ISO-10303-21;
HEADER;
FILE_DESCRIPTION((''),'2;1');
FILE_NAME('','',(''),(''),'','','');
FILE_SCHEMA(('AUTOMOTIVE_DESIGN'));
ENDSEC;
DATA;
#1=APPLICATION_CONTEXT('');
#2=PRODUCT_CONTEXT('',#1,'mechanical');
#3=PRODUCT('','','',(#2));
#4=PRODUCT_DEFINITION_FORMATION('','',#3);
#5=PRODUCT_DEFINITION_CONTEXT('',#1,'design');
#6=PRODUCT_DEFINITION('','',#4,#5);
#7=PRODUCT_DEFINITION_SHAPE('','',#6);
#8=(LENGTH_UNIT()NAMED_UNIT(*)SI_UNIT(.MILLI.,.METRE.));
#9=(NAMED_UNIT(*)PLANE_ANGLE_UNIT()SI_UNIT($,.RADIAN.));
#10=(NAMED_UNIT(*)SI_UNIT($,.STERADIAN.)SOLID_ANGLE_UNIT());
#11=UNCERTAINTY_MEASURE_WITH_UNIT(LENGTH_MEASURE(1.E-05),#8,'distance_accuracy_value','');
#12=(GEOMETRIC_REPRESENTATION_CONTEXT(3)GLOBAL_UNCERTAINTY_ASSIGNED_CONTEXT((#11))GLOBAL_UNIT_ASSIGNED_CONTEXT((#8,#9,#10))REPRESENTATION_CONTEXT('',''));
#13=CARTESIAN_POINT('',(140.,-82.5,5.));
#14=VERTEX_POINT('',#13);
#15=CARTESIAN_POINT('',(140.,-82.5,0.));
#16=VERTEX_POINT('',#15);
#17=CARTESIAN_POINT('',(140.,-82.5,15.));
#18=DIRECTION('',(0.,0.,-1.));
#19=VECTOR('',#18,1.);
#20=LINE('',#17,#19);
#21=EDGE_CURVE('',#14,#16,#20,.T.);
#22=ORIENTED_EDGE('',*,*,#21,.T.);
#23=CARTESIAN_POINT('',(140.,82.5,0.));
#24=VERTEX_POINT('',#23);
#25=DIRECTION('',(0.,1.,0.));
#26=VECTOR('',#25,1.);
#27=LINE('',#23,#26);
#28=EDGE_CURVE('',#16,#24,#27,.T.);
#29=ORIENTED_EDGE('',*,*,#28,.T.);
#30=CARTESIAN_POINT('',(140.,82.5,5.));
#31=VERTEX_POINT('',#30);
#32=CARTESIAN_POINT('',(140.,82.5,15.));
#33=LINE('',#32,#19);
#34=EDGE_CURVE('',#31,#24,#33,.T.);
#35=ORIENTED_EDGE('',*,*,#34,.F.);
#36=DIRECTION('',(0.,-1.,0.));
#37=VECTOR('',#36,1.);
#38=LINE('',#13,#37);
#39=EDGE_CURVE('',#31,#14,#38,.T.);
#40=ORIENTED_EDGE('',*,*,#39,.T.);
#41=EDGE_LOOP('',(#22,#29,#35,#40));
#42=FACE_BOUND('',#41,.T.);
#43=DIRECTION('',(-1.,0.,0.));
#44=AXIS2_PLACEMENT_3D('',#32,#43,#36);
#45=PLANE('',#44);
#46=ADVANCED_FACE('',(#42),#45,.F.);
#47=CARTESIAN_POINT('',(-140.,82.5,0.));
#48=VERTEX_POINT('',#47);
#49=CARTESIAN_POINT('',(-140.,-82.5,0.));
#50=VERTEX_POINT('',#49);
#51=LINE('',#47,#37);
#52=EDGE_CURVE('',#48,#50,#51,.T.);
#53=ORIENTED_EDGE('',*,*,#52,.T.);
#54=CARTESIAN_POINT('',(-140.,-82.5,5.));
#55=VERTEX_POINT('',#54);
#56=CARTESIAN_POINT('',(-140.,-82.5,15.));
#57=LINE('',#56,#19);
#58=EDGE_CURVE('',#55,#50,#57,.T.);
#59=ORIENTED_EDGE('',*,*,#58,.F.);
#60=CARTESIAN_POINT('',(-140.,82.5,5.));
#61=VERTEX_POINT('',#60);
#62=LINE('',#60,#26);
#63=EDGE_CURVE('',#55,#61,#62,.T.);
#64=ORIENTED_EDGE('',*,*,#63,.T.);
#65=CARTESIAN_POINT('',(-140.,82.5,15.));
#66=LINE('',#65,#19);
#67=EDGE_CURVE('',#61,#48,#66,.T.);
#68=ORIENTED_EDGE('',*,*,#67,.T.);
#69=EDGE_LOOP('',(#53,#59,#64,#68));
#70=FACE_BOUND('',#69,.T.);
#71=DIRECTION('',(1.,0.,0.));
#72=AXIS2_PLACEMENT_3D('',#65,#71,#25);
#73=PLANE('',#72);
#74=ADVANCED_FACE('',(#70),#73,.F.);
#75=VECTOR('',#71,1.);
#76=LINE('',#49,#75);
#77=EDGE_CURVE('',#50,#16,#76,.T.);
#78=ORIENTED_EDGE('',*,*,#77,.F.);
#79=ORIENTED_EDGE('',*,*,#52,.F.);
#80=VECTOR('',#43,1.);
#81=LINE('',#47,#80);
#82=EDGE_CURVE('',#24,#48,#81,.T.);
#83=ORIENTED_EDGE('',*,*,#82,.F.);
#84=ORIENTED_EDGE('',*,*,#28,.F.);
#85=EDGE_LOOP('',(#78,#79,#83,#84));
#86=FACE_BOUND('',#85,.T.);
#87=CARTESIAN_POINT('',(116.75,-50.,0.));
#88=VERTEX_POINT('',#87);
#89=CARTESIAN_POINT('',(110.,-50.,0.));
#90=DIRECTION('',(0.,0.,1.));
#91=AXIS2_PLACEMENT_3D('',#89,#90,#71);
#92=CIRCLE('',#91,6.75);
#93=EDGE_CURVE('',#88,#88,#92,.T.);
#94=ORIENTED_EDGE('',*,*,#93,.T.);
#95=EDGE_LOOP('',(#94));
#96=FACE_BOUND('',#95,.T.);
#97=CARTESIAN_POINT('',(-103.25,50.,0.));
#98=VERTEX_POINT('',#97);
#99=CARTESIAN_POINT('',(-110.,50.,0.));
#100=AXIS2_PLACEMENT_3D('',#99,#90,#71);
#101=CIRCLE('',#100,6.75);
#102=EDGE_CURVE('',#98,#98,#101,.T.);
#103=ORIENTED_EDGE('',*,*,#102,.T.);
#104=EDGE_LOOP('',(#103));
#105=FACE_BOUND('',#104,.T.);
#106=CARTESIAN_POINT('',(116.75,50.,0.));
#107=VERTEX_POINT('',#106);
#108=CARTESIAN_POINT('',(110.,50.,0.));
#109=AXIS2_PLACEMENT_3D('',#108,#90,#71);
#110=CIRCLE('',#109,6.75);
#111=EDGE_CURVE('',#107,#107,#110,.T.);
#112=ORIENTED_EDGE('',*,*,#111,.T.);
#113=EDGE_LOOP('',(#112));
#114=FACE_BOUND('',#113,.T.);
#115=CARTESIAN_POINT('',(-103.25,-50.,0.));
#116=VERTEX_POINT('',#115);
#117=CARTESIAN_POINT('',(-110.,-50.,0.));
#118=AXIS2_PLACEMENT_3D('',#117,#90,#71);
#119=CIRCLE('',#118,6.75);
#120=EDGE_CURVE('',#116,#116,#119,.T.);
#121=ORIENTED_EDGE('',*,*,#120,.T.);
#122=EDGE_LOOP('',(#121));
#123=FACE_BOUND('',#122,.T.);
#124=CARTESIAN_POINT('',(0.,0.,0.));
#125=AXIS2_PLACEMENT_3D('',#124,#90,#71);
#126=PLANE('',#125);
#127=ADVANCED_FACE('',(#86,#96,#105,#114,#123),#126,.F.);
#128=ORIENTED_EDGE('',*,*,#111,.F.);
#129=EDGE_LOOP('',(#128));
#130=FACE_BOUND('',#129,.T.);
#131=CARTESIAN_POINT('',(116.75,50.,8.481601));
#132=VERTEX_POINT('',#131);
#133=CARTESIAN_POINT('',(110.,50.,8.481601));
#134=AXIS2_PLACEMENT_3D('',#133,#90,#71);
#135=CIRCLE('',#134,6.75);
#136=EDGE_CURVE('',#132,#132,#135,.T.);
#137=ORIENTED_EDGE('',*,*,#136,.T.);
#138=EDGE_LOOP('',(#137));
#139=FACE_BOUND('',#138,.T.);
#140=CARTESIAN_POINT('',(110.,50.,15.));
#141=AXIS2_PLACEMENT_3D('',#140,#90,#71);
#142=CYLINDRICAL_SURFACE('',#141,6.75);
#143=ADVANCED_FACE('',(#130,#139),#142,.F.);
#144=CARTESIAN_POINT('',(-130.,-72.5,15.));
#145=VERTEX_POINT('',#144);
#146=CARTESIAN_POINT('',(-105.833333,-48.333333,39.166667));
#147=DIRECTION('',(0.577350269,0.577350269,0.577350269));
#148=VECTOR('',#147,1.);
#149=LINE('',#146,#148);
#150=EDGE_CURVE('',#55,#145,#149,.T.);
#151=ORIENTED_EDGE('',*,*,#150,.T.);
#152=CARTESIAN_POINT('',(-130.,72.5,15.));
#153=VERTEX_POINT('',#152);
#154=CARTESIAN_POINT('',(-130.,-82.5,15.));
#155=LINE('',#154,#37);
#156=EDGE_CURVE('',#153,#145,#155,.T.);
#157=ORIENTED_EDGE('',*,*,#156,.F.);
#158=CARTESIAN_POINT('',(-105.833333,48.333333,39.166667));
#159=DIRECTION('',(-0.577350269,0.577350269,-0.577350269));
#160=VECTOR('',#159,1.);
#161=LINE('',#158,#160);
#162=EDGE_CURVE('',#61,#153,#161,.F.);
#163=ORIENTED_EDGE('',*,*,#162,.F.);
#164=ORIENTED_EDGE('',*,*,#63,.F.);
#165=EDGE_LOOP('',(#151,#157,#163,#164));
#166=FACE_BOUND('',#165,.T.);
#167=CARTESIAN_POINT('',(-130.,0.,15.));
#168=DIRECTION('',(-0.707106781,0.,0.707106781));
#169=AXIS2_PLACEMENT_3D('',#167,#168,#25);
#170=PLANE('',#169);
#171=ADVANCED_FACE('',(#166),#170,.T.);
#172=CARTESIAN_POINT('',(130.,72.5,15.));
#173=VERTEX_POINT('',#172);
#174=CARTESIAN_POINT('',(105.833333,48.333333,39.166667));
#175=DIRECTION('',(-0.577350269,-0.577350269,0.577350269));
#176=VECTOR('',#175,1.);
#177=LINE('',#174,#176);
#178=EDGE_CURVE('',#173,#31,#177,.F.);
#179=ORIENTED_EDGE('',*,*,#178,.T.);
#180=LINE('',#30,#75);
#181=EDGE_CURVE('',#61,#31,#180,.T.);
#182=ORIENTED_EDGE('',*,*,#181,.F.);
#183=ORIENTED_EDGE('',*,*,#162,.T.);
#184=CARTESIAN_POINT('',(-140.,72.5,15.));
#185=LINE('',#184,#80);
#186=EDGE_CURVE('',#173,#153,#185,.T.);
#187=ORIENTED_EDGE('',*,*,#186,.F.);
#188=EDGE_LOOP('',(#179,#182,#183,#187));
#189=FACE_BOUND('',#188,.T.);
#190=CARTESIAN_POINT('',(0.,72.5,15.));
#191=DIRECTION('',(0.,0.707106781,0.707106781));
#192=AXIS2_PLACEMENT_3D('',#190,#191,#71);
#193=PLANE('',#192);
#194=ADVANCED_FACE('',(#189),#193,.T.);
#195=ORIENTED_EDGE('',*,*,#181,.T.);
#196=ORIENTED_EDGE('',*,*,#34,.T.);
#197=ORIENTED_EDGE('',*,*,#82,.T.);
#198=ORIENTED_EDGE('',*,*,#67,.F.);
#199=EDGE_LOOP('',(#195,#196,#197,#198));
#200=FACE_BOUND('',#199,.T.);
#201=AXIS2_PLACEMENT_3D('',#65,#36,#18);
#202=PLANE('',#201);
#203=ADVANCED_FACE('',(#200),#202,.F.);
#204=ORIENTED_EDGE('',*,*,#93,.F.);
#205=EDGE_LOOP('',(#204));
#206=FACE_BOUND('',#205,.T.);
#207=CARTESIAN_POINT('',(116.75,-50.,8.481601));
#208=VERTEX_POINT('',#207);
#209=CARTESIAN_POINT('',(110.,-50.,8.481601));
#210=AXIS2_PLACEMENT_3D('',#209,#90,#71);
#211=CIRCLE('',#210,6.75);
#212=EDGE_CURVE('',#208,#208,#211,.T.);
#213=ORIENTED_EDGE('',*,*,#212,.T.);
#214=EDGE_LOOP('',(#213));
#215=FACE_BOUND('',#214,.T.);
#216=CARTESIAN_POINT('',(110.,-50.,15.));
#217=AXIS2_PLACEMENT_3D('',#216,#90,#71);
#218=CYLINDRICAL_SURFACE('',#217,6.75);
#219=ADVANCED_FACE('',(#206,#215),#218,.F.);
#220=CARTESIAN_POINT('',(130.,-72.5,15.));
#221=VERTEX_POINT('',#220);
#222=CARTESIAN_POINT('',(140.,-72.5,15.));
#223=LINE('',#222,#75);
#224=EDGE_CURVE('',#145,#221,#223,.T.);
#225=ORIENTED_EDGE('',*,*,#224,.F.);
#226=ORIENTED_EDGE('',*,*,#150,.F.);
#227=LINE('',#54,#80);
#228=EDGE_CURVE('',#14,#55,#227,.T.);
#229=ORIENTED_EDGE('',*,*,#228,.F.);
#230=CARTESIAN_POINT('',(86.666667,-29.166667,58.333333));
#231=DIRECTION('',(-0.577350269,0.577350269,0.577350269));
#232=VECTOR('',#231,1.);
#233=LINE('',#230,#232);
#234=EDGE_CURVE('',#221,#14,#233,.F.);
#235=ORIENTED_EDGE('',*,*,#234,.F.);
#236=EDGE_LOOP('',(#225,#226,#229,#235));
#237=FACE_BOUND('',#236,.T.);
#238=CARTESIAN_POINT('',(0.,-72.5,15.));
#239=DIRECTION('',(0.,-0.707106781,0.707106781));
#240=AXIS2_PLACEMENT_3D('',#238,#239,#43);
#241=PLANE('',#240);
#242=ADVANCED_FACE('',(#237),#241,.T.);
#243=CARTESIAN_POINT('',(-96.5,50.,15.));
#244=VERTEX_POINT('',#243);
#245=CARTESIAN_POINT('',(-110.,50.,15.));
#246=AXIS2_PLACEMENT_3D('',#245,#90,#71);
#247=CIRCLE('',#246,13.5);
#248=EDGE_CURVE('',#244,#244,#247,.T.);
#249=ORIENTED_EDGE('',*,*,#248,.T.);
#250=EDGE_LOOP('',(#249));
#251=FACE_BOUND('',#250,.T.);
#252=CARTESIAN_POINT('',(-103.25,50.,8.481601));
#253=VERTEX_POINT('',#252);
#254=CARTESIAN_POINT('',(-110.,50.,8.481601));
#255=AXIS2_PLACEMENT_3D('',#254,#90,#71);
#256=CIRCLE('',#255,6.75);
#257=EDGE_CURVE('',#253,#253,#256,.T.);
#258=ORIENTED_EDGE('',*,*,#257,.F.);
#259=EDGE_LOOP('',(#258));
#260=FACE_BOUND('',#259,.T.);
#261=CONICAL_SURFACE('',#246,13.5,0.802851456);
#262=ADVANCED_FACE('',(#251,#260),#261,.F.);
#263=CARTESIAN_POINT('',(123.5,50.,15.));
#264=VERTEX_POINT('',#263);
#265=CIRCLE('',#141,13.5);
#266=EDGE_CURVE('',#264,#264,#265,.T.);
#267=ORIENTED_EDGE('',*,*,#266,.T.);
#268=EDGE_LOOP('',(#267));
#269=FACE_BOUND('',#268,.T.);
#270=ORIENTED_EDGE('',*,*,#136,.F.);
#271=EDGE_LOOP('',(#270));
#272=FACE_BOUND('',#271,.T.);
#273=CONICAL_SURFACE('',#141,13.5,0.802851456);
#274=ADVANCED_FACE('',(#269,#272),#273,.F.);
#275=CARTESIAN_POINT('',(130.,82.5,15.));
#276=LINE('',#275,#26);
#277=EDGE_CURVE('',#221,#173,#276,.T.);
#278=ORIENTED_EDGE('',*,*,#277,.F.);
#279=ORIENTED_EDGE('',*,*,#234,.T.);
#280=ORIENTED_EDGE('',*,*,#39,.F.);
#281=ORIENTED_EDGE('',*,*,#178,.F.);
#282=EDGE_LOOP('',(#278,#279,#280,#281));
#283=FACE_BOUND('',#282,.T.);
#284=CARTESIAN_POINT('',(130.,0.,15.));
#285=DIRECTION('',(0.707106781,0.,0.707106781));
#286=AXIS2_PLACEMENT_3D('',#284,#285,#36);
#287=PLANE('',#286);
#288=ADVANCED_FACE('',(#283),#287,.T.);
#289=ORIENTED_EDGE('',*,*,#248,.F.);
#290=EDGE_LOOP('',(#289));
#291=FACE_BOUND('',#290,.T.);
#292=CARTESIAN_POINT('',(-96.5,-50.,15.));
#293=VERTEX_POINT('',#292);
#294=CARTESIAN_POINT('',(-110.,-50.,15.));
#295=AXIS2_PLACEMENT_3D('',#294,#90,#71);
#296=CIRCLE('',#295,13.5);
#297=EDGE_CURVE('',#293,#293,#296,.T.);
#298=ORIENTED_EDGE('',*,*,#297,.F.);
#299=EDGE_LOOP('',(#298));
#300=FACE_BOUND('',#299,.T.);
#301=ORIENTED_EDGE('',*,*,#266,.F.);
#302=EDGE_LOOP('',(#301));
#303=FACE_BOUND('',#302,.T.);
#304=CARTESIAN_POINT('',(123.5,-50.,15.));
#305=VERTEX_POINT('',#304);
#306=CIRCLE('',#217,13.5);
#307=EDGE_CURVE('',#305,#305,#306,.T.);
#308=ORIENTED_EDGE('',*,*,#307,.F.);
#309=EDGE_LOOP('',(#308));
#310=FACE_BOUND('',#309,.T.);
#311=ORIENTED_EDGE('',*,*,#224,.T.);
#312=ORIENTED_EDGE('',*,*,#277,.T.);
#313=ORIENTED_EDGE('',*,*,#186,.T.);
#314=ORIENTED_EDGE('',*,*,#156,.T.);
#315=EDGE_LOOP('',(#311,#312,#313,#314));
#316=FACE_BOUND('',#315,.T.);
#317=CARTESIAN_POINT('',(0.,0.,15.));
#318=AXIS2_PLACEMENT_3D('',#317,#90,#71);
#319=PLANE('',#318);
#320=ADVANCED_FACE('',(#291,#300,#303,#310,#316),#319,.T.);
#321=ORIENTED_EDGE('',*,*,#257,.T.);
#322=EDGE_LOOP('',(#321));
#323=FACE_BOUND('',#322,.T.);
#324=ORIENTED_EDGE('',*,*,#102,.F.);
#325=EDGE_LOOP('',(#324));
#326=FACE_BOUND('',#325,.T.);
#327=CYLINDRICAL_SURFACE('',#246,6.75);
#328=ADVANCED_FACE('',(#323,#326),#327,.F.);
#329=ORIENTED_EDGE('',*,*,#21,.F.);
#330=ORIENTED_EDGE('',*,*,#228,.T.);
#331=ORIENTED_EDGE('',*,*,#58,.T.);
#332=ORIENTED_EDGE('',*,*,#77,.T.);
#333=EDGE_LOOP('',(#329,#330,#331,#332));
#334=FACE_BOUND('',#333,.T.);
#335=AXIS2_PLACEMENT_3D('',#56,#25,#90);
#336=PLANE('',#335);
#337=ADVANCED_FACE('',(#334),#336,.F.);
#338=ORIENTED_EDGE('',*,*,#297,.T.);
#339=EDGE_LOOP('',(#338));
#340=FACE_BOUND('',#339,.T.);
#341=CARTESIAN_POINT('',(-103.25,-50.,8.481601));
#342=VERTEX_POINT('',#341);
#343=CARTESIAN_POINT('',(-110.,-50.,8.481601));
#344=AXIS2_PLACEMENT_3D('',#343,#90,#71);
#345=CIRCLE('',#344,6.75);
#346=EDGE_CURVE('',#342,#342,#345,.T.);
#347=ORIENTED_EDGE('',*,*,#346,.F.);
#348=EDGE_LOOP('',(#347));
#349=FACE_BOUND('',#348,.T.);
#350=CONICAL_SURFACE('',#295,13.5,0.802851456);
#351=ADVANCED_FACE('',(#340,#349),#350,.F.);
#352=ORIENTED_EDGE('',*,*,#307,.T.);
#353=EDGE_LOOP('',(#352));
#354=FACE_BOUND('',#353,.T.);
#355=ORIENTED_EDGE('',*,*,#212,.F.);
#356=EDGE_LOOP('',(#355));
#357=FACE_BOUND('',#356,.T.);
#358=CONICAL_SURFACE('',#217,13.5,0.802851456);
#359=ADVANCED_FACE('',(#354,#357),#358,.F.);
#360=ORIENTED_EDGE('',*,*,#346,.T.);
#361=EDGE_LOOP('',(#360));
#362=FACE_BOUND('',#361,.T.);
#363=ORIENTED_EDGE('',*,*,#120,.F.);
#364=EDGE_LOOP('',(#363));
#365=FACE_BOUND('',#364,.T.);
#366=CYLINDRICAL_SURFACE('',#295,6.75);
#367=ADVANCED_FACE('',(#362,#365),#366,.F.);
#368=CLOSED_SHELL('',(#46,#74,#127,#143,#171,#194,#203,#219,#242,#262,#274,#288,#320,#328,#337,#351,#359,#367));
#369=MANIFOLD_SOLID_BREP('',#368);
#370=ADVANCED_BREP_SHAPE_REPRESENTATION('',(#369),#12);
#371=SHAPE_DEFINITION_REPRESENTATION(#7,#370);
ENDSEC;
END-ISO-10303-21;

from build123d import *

# Parameters (mm, degrees)
SKETCH_1_W                = 280
SKETCH_1_H                = 165
EXTRUDE_1_DEPTH           = 15
CHAMFER_1_SIZE            = 10
HOLE_WIZARD_1_D           = 13.5
HOLE_WIZARD_1_DEPTH       = 20
HOLE_WIZARD_1_CSINK_D     = 27
HOLE_WIZARD_1_CSINK_ANGLE = 92
HOLE_WIZARD_1_TIP         = 4.055809178


with BuildPart() as part:
    # 草图1 → 凸台-拉伸1 (new body)
    with BuildSketch(Plane.XY):
        Rectangle(SKETCH_1_W, SKETCH_1_H)
    extrude(amount=EXTRUDE_1_DEPTH)

    # 倒角1
    chamfer_1_edges = [part.edges().sort_by_distance(p)[0] for p in [
        (-140, 0, 15),
        (0, -82.5, 15),
        (140, 0, 15),
        (0, 82.5, 15),
    ]]
    chamfer(chamfer_1_edges, length=CHAMFER_1_SIZE)

    # 打孔尺寸(%根据)内六角花形沉头螺钉的类型1
    with Locations(Plane.XY.offset(15)):
        with Locations((-110, 50), (110, 50), (110, -50), (-110, -50)):
            CounterSinkHole(HOLE_WIZARD_1_D / 2, HOLE_WIZARD_1_CSINK_D / 2, depth=HOLE_WIZARD_1_DEPTH, counter_sink_angle=HOLE_WIZARD_1_CSINK_ANGLE)
            with Locations((0, 0, -(HOLE_WIZARD_1_DEPTH + HOLE_WIZARD_1_TIP / 2))):  # 118° drill point
                Cone(0, HOLE_WIZARD_1_D / 2, HOLE_WIZARD_1_TIP, mode=Mode.SUBTRACT)


solid = part.part
